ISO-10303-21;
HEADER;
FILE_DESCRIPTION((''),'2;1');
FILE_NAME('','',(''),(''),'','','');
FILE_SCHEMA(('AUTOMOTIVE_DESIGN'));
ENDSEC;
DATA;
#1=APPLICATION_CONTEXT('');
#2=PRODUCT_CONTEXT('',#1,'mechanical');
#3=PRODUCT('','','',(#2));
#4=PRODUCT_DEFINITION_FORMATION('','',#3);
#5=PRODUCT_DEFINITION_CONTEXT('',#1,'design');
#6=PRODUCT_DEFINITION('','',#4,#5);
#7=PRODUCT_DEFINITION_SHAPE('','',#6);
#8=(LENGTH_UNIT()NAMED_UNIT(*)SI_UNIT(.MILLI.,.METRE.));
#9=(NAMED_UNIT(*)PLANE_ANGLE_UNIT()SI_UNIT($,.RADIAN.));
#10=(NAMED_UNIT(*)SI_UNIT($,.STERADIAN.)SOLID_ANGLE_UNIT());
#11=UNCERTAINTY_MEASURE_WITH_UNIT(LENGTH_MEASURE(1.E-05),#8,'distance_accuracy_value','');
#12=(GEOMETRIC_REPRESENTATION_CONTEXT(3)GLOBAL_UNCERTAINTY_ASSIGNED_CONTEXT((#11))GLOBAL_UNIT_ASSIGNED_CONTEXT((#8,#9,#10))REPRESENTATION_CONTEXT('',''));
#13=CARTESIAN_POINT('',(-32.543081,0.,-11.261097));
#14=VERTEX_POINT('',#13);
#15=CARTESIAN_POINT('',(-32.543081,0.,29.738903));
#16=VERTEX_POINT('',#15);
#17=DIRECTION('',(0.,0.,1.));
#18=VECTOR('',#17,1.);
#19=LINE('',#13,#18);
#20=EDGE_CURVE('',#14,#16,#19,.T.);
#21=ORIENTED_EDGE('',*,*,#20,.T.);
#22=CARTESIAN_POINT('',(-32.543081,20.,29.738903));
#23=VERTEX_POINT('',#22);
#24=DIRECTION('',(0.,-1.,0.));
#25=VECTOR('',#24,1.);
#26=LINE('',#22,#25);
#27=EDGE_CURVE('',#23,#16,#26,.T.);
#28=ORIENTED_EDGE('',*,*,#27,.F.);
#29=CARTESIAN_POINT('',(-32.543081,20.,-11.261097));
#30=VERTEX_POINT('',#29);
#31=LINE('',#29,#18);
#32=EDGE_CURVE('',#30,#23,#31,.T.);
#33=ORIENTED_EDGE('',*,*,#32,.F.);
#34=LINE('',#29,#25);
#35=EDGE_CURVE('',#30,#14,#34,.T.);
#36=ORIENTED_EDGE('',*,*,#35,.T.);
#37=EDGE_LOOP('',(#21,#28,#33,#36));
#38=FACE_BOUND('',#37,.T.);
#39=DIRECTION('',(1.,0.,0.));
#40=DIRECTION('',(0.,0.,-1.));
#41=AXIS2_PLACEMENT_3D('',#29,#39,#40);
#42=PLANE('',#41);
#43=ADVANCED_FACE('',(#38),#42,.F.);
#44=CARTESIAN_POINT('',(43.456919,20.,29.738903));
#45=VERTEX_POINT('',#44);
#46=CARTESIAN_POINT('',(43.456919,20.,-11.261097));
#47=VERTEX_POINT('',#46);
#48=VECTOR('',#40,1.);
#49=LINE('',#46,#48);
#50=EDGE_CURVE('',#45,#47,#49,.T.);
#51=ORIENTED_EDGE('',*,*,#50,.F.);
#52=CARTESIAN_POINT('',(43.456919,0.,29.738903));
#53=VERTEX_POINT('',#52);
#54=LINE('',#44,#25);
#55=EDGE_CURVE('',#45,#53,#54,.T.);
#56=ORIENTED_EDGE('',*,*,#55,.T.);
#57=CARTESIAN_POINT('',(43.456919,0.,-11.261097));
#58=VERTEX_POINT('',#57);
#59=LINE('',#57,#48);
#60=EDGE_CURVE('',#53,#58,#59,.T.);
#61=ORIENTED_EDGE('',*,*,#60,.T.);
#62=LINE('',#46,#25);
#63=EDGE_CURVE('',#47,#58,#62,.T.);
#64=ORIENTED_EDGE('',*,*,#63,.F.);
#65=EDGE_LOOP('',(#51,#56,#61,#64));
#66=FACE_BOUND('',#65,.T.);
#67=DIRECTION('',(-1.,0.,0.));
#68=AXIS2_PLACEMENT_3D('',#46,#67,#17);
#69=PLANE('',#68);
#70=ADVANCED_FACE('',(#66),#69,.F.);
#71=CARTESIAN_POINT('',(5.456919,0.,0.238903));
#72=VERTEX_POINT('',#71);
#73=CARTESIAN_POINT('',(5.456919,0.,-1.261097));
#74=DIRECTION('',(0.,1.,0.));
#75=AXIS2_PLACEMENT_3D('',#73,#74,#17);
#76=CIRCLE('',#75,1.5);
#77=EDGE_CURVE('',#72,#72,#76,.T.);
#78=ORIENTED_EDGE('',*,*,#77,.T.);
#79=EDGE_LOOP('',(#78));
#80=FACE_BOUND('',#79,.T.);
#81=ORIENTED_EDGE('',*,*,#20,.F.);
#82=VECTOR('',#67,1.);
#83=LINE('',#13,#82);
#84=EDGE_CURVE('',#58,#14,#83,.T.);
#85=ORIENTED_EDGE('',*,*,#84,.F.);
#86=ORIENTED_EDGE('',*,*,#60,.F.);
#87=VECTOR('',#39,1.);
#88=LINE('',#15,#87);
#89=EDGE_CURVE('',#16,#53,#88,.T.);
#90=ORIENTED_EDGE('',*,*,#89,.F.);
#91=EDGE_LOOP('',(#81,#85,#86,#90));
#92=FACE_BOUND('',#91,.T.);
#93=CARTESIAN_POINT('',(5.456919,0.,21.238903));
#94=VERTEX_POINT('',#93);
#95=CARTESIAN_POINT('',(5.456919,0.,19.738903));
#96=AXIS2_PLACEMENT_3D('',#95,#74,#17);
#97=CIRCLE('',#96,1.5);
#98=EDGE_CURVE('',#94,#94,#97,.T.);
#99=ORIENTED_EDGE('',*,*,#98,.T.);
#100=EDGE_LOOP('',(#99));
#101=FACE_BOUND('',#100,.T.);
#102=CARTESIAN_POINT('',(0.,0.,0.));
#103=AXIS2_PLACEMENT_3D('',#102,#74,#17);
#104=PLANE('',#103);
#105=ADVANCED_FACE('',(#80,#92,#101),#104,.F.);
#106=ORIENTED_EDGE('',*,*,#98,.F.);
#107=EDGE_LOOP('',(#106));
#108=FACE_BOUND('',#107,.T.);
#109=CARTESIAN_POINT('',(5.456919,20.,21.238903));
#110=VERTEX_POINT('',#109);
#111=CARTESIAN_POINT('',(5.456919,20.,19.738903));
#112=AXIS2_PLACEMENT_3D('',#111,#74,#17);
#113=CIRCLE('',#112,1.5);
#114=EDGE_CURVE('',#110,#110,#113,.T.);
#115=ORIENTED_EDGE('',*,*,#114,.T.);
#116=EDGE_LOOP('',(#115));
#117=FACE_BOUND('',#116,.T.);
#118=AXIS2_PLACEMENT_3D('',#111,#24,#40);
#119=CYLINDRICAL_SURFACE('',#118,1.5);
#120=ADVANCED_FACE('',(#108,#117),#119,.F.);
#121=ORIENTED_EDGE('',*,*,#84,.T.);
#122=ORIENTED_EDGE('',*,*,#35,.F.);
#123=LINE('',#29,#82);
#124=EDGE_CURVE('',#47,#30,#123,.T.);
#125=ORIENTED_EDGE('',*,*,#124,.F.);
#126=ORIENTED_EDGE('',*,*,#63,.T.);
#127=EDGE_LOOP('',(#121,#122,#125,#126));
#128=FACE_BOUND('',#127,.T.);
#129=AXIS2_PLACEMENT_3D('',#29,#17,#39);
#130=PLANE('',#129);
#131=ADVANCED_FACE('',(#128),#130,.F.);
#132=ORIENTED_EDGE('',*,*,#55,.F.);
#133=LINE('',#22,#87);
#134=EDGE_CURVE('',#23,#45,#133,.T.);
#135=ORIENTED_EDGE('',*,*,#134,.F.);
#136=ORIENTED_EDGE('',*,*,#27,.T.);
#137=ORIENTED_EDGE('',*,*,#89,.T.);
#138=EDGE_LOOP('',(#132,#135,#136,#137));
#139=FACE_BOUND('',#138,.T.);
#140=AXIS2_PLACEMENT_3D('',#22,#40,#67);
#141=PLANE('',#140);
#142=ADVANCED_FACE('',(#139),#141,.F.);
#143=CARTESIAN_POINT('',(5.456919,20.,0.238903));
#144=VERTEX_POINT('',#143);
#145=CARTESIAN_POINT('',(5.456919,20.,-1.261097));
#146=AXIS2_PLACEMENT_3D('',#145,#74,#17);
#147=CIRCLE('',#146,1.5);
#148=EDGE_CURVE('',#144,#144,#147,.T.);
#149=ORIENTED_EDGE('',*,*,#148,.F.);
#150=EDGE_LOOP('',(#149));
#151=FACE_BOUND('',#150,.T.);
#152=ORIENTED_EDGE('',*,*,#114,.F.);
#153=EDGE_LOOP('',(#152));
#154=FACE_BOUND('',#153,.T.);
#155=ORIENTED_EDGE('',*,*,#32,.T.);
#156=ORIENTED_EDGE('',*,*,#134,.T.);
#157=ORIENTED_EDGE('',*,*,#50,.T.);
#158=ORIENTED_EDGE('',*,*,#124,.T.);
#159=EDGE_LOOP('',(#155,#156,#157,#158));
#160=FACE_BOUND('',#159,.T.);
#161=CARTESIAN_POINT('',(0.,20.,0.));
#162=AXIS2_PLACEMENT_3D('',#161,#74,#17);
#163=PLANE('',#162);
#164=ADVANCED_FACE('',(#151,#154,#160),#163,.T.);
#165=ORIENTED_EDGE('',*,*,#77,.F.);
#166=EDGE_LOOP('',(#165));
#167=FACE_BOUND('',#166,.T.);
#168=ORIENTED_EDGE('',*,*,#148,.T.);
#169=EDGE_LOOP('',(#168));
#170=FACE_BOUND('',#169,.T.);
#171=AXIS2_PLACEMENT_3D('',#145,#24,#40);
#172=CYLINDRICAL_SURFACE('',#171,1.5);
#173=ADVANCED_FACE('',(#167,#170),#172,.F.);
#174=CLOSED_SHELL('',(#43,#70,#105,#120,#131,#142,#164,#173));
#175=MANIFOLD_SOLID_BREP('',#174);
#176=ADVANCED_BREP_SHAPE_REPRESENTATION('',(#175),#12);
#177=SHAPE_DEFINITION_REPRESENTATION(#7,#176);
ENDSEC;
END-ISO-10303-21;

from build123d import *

# Parameters (mm, degrees)
SKETCH1_W           = 76
SKETCH1_H           = 41
SKETCH1_R           = 1.5
BOSS_EXTRUDE1_DEPTH = 20


with BuildPart() as part:
    # Sketch1 → Boss-Extrude1 (new body)
    with BuildSketch(Plane(origin=(0, 0, 0), x_dir=(1, 0, 0), z_dir=(0, 1, 0))):
        with Locations((5.45691906, -9.238903394)):
            Rectangle(SKETCH1_W, SKETCH1_H)
        with Locations((5.45691906, 1.261096606)):
            Circle(SKETCH1_R, mode=Mode.SUBTRACT)
        with Locations((5.45691906, -19.738903394)):
            Circle(SKETCH1_R, mode=Mode.SUBTRACT)
    extrude(amount=BOSS_EXTRUDE1_DEPTH)


solid = part.part
